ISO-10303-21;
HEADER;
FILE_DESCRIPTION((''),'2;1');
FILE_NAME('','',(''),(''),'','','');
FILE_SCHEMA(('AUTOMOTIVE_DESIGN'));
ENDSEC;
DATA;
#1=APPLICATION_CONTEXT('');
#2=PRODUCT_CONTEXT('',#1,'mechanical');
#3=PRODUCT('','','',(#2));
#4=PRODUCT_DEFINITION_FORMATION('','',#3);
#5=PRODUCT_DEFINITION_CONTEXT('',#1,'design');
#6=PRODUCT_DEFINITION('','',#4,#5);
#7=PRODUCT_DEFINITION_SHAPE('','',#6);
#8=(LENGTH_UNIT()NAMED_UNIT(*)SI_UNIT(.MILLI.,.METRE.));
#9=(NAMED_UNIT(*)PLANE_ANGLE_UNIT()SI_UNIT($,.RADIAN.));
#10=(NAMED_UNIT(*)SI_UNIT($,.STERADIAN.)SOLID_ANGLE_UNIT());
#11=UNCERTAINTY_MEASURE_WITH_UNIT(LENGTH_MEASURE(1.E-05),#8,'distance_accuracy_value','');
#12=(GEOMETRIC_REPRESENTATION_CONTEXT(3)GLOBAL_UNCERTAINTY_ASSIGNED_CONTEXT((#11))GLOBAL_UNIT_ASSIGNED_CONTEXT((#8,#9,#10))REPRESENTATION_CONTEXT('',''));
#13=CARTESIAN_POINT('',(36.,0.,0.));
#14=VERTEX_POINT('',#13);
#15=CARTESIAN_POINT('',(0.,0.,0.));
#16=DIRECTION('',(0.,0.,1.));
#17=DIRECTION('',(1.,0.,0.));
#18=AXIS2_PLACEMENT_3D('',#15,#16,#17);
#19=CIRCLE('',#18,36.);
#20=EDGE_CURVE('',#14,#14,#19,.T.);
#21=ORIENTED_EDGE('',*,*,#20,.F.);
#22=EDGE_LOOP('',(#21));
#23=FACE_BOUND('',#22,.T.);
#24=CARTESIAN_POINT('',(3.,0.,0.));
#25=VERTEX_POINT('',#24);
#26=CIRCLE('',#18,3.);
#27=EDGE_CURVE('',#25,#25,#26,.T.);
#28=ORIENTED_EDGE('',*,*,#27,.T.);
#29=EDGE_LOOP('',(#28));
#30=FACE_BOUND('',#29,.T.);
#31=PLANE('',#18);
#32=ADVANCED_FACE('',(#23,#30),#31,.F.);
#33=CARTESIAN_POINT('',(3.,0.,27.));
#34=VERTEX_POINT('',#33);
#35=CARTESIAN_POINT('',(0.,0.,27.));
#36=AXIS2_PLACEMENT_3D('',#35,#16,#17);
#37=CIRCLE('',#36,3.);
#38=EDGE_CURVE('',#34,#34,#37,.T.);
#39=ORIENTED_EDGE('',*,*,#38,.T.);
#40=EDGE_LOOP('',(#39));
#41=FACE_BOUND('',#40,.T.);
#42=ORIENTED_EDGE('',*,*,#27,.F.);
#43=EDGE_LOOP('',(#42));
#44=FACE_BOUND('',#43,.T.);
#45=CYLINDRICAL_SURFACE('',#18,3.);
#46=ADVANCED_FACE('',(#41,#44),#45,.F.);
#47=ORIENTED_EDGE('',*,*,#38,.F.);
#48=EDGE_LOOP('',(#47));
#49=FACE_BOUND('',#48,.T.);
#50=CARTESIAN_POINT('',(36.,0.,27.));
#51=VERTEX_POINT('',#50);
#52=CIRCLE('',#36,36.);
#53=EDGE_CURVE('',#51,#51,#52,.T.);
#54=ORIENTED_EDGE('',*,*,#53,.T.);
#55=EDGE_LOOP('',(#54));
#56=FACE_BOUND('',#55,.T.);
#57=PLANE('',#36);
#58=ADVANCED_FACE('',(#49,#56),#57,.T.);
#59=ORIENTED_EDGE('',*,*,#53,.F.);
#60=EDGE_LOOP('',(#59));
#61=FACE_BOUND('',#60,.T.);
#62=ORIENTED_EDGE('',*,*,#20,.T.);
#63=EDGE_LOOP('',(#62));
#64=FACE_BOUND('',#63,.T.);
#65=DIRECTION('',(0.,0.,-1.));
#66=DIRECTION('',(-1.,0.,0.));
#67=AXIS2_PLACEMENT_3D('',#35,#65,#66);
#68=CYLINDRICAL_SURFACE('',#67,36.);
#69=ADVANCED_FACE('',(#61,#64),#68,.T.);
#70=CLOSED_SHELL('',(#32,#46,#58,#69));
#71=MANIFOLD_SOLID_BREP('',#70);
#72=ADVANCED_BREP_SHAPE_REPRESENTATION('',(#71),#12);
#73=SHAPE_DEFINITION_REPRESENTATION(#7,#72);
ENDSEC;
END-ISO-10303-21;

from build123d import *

# Parameters (mm, degrees)
ESQUISSE1_R             = 36
BOSS_EXTRU_1_DEPTH      = 27
ESQUISSE2_R             = 3
ENL_V_MAT_EXTRU_1_DEPTH = 27


with BuildPart() as part:
    # Esquisse1 → Boss.-Extru.1 (new body)
    with BuildSketch(Plane.XY):
        Circle(ESQUISSE1_R)
    extrude(amount=BOSS_EXTRU_1_DEPTH)

    # Esquisse2 → Enlèv. mat.-Extru.1 (cut)
    with BuildSketch(Plane.XY.offset(27)):
        Circle(ESQUISSE2_R)
    extrude(amount=-ENL_V_MAT_EXTRU_1_DEPTH, mode=Mode.SUBTRACT)


solid = part.part
